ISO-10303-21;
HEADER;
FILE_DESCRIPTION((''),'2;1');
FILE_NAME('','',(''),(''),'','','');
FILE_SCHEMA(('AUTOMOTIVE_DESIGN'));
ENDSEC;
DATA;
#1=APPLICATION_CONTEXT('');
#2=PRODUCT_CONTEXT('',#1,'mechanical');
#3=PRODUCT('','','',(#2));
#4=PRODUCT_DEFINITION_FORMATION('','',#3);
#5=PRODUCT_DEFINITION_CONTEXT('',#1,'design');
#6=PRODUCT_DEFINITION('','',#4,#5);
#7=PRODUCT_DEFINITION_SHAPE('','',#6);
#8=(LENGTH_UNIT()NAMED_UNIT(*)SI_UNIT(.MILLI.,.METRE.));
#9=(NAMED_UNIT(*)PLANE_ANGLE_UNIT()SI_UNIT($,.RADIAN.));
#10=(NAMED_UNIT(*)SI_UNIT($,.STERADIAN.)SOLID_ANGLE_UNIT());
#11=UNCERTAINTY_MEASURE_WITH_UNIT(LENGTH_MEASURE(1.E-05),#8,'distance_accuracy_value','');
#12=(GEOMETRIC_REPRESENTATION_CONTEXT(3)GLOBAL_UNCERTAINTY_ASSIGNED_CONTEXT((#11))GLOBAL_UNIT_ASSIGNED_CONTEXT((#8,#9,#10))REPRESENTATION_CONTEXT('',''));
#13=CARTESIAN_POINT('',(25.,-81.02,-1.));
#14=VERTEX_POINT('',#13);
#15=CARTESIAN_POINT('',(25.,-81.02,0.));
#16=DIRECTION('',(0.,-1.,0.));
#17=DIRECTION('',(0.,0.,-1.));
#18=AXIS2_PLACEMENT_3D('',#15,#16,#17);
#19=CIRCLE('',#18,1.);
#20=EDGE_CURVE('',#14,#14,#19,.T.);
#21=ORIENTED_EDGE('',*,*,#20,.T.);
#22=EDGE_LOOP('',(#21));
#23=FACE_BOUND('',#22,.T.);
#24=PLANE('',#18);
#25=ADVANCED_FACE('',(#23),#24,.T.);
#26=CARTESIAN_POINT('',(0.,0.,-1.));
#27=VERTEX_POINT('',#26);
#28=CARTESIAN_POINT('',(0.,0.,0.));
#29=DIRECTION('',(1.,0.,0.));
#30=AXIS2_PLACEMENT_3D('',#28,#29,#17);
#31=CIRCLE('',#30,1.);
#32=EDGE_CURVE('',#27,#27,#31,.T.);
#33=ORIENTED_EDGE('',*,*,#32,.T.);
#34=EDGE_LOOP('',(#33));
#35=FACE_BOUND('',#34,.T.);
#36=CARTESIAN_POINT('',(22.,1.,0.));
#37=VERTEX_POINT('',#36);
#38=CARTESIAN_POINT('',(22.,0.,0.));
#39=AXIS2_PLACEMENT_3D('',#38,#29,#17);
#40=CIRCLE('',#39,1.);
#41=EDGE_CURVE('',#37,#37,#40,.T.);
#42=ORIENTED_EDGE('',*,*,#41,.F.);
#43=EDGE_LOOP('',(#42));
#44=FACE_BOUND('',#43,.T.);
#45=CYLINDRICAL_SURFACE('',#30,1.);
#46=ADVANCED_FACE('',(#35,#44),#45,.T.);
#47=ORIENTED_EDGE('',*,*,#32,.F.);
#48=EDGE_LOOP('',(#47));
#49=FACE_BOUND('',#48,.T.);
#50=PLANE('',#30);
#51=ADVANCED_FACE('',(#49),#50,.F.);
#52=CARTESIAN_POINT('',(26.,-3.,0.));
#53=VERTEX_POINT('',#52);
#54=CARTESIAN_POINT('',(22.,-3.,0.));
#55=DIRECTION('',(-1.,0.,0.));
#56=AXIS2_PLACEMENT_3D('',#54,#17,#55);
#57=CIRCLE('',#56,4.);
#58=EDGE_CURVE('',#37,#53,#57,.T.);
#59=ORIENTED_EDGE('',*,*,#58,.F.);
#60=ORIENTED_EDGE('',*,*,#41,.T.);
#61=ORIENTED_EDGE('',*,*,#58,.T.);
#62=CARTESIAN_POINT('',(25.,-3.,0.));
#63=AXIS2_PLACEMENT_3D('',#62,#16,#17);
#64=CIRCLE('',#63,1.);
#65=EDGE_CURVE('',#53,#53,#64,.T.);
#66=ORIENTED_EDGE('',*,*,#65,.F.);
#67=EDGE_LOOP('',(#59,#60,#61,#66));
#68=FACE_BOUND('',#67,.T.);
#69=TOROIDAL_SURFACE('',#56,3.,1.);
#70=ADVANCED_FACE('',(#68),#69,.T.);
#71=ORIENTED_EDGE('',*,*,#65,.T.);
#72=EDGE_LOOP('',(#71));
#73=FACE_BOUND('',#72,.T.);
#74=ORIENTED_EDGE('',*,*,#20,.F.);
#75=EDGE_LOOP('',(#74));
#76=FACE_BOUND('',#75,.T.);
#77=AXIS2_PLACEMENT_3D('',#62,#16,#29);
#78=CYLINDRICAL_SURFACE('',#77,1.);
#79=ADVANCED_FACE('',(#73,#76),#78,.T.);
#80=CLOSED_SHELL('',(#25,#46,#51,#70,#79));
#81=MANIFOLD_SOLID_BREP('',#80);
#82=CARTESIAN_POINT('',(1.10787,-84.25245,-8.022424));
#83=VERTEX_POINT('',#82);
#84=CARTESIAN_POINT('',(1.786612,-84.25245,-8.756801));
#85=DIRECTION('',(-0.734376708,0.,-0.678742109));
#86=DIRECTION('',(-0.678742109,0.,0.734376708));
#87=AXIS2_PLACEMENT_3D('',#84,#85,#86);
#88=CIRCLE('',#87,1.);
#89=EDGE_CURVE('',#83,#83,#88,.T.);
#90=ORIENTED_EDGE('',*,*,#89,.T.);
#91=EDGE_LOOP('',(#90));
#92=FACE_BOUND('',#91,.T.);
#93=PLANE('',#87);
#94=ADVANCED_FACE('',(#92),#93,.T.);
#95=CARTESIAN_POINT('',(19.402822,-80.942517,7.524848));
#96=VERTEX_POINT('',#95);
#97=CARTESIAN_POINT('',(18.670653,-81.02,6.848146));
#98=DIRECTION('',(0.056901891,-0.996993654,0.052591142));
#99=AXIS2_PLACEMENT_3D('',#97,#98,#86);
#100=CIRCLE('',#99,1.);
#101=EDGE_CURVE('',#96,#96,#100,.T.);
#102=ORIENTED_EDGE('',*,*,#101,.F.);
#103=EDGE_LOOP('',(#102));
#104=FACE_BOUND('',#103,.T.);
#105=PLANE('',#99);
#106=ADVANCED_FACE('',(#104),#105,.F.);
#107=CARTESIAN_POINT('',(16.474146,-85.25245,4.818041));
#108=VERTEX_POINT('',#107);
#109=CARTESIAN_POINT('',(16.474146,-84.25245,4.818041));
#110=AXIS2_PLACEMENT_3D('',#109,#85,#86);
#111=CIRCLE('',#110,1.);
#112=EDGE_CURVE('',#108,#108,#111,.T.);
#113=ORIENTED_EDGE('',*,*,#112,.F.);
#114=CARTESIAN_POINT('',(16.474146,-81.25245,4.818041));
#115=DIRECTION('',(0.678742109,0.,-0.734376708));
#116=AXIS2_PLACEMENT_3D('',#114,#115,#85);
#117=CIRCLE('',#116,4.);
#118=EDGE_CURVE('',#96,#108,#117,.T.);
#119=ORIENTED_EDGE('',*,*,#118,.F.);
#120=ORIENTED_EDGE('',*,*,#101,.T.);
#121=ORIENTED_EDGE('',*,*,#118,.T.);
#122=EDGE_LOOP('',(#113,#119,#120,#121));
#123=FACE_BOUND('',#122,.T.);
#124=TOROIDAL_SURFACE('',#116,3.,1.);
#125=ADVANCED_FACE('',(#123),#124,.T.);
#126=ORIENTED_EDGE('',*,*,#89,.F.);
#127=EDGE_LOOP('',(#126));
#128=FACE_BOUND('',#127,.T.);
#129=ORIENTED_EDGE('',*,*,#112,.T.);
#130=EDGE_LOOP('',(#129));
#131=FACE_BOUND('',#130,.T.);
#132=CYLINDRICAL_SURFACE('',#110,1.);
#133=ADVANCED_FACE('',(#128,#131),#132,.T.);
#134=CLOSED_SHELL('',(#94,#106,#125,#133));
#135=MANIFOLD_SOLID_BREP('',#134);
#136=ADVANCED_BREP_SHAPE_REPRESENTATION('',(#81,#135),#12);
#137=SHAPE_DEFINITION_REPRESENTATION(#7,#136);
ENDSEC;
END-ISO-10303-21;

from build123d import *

# Parameters (mm, degrees)
SKETCH3_R = 1
SKETCH6_R = 1


with BuildPart() as part:
    # Sweep1: sweep along a path in Sketch1
    with BuildLine(Plane.XY) as sweep1_path:
        Line((0, 0), (22, 0))
        ThreePointArc((22, 0), (24.121320344, -0.878679656), (25, -3))
        Line((25, -3), (25, -81.02))
    # Sketch3 → Sweep1 (sweep)
    with BuildSketch(Plane(origin=(0, 0, 0), x_dir=(0, 0, -1), z_dir=(1, 0, 0))):
        Circle(SKETCH3_R)
    sweep(path=sweep1_path.line)


with BuildPart() as body_2:
    # Sweep3: sweep along a path in Sketch4
    with BuildLine(Plane(origin=(5.187924196, 0, -5.613163884), x_dir=(-0.7343767081251095, 0, -0.6787421090247221), z_dir=(0.6787421090247221, 0, -0.7343767081251095))) as sweep3_path:
        Line((4.63156326, -84.252449737), (-15.36843674, -84.252449737))
        ThreePointArc((-15.36843674, -84.252449737), (-17.570407359, -83.289929895), (-18.359417703, -81.02))
    # Sketch6 → Sweep3 (sweep)
    with BuildSketch(Plane(origin=(1.786612015, -84.252449737, -8.756800899), x_dir=(-0.6787421090247221, 0, 0.7343767081251096), z_dir=(-0.7343767081251096, 0, -0.6787421090247221))):
        Circle(SKETCH6_R)
    sweep(path=sweep3_path.line)


solid = Compound([part.part, body_2.part])
